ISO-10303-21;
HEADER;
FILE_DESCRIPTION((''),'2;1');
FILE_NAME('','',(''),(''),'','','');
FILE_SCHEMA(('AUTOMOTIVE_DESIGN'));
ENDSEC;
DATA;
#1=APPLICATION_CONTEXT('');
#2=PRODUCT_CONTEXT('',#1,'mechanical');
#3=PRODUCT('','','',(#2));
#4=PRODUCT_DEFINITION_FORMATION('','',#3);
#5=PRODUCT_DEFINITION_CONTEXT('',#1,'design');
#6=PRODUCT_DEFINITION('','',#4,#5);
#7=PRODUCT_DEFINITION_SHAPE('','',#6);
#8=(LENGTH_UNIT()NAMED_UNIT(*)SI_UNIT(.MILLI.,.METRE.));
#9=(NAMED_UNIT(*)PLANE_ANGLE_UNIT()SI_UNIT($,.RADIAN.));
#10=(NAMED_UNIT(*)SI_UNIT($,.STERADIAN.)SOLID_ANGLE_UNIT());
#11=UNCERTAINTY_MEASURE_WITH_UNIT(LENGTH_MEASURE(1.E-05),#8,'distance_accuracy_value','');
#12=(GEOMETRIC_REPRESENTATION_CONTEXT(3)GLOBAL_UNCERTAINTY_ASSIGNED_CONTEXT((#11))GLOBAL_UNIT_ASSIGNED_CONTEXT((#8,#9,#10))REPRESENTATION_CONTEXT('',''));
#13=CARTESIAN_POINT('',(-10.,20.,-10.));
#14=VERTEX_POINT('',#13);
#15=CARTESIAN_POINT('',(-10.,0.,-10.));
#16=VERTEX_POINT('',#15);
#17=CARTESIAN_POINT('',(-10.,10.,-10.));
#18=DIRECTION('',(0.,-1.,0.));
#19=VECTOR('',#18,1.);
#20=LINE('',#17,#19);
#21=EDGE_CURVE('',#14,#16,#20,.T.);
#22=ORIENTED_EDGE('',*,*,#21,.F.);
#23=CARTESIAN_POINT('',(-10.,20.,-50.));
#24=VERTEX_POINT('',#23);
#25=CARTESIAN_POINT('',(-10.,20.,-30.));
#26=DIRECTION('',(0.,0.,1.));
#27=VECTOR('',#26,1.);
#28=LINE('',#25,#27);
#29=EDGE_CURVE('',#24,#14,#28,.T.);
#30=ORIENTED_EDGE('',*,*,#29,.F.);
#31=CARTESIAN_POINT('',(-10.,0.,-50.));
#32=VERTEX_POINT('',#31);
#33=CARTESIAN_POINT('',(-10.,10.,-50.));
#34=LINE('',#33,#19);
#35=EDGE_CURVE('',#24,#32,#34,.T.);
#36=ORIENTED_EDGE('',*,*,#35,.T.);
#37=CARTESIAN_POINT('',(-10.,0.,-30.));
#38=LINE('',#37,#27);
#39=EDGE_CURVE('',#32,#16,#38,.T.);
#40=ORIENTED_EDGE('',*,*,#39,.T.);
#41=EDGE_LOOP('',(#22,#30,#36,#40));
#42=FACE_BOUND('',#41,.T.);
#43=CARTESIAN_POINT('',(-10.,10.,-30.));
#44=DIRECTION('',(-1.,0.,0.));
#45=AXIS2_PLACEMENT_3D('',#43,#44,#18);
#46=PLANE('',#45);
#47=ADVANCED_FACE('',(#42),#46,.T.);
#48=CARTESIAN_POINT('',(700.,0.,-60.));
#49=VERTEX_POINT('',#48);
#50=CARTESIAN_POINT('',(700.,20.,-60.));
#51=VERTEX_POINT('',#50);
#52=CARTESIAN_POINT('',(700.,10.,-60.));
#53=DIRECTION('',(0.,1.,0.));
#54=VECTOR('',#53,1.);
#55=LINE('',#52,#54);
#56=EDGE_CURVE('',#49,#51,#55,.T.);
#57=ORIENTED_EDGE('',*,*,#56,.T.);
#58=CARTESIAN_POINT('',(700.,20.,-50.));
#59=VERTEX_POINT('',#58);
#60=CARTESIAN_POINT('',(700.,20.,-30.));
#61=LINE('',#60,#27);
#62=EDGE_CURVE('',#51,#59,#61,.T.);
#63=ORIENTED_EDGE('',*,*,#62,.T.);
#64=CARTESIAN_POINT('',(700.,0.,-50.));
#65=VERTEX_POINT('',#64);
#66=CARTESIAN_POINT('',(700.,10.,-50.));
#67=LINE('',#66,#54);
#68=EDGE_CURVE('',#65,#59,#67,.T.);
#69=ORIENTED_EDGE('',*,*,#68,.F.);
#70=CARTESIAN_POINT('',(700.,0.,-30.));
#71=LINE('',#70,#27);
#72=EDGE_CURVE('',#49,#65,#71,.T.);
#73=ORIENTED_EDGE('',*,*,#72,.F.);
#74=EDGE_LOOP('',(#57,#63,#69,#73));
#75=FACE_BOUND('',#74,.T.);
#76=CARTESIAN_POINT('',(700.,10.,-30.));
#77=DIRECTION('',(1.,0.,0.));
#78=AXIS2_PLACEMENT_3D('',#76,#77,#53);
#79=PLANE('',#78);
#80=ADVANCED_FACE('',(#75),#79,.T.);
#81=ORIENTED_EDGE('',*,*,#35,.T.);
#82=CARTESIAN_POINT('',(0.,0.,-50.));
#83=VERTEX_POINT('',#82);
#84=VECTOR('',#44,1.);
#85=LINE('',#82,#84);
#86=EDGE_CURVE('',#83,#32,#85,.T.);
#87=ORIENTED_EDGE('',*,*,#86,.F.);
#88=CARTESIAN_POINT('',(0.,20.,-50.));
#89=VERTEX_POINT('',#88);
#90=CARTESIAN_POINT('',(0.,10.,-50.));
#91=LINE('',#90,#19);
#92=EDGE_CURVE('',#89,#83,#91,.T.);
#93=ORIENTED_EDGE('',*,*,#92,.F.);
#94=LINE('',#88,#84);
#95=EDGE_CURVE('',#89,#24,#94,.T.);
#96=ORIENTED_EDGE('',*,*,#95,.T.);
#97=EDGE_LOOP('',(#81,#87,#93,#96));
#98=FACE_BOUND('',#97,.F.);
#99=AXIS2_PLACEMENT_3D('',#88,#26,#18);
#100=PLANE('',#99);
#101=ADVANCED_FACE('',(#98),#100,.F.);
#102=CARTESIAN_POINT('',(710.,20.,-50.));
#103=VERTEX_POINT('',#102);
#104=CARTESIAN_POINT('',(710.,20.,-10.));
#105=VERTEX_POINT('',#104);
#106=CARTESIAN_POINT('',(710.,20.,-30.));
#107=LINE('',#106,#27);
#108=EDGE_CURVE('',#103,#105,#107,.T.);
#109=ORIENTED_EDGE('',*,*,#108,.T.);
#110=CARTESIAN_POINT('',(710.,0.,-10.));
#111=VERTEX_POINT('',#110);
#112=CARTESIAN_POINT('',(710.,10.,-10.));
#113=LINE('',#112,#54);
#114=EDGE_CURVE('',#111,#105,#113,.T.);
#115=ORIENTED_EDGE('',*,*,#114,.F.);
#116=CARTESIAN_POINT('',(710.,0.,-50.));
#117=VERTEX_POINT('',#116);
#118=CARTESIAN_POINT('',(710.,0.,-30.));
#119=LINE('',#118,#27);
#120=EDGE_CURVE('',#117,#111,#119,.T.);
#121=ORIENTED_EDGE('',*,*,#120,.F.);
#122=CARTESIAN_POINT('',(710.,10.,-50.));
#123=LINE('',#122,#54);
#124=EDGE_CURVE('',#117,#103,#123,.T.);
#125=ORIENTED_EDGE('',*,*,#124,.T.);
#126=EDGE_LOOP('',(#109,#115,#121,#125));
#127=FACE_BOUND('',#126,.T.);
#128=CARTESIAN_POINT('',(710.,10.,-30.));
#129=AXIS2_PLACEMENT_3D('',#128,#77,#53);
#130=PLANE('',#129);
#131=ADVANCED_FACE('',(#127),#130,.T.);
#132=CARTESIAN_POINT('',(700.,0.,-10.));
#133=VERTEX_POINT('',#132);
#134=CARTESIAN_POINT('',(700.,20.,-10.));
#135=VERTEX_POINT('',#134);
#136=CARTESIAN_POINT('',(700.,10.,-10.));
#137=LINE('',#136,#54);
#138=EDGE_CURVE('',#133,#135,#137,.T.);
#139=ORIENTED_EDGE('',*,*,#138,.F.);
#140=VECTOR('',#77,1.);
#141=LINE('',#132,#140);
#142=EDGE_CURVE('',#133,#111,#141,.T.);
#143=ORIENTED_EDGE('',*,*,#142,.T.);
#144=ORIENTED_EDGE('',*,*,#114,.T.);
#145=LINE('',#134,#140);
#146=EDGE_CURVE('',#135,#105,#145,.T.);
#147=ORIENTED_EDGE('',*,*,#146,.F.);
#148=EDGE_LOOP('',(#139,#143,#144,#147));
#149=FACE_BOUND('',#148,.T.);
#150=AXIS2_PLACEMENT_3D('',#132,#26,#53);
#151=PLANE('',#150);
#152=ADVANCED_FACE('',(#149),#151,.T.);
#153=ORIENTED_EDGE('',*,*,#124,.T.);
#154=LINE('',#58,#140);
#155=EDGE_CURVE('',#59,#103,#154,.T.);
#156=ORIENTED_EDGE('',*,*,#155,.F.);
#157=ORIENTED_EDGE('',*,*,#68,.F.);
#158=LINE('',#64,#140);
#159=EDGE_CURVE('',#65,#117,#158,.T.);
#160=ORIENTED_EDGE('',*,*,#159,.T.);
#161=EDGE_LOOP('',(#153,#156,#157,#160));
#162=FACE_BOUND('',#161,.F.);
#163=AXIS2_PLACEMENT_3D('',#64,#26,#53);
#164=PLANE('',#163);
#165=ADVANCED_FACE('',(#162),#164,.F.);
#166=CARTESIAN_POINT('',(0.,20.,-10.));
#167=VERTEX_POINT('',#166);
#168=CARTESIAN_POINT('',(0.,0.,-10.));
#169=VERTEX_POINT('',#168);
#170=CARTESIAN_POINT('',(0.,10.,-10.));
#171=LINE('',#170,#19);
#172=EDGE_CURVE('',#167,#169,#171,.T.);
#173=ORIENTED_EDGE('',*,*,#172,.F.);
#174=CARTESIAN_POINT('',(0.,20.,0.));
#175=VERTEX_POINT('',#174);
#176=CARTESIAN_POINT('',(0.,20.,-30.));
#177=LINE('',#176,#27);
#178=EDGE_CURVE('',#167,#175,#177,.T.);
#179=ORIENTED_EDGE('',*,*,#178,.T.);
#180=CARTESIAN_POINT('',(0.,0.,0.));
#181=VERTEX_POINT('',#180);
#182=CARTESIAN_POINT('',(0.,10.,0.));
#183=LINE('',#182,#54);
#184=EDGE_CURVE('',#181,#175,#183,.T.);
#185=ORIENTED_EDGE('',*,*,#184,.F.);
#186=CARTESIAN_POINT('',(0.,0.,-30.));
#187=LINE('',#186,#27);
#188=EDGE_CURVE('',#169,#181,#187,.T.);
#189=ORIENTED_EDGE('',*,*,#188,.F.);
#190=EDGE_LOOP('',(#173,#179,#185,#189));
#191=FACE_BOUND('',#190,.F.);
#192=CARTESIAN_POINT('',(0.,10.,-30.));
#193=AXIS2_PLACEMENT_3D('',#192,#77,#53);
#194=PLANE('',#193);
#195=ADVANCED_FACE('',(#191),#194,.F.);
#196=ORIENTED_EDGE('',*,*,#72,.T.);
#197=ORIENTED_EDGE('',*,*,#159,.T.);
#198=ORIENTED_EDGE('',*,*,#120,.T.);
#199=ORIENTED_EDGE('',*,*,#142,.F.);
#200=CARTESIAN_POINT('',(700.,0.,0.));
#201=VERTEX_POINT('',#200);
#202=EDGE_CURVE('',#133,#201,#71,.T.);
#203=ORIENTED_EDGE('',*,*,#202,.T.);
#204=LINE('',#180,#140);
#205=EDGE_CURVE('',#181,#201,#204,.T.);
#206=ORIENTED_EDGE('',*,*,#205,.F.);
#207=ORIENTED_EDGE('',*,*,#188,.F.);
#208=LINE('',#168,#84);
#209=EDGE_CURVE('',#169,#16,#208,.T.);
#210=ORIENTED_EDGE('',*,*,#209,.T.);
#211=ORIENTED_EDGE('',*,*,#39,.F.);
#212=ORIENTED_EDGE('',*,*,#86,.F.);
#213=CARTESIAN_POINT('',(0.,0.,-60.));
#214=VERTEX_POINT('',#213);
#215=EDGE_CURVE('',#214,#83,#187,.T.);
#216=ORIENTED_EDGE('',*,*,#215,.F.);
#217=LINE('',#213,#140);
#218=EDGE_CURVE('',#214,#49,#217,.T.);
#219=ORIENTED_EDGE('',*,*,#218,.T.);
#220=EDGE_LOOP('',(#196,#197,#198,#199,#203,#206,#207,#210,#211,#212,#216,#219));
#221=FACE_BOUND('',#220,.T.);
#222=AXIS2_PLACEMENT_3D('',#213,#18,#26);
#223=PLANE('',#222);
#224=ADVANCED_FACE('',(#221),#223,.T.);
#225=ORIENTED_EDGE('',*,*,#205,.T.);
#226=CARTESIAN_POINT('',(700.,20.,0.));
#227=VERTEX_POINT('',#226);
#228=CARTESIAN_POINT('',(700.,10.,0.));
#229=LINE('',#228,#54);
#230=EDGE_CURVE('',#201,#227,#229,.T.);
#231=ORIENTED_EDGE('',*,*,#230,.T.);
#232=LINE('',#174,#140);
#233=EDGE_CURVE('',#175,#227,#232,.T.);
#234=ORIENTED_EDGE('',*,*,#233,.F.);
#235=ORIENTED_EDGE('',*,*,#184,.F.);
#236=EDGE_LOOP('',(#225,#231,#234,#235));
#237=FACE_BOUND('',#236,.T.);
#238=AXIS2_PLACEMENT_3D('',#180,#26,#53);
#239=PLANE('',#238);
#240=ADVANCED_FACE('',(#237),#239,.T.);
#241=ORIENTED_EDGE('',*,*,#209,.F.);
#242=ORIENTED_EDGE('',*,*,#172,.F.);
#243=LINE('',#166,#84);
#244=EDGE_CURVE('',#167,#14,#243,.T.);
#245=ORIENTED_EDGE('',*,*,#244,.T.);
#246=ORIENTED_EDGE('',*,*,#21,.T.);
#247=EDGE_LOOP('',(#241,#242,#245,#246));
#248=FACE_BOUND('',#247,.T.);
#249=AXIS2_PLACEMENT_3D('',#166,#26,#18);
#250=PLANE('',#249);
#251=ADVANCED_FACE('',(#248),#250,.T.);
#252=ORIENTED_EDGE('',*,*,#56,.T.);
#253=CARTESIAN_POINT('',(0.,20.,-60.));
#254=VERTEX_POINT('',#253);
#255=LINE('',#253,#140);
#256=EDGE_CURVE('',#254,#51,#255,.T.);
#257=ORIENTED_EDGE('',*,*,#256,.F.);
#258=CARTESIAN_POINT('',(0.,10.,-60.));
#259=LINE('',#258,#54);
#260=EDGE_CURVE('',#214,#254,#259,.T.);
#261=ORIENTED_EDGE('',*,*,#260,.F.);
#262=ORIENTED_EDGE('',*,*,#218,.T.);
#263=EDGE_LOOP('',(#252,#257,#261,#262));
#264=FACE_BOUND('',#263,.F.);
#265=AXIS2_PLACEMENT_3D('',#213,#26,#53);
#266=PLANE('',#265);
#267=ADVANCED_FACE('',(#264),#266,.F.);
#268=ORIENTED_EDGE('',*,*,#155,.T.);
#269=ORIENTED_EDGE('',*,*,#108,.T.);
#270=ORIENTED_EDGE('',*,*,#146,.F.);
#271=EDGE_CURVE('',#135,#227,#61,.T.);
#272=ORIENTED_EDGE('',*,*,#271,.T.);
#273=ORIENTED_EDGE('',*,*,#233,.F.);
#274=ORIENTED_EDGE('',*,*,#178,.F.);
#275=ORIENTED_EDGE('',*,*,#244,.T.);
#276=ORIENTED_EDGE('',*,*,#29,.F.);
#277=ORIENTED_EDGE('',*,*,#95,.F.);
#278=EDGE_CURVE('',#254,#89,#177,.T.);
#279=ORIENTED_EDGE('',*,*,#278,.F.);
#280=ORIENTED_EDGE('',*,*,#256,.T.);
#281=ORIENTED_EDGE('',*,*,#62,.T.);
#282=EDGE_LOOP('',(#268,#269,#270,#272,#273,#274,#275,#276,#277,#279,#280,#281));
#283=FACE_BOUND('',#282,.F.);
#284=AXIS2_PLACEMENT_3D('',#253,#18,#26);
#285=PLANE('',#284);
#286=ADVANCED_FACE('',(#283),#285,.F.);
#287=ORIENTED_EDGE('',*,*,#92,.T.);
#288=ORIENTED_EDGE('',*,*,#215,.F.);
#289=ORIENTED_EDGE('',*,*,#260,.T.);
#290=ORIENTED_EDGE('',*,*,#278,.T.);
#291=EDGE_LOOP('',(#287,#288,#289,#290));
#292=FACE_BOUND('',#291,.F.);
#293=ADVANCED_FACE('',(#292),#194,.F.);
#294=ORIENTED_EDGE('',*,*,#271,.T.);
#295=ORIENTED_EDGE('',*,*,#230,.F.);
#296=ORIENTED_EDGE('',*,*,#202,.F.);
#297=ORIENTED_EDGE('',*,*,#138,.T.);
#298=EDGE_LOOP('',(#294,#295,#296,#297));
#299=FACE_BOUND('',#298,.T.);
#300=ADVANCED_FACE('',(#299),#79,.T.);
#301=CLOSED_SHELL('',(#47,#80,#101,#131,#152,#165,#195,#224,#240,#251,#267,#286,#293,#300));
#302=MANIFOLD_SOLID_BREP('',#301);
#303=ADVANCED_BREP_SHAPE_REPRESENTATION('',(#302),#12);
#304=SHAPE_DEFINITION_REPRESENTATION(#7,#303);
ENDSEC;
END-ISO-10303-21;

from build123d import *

# Parameters (mm, degrees)
F0_W     = 20
F0_H     = 60
F1_DEPTH = 700
F2_W     = 20
F2_H     = 40
F3_DEPTH = 10
F4_W     = 20
F4_H     = 40
F5_DEPTH = 10


with BuildPart() as f1:
    # F0 (on Right) → F1 (new body)
    with BuildSketch(Plane.YZ):
        with Locations((10, -30)):
            Rectangle(F0_W, F0_H)
    extrude(amount=F1_DEPTH)

    # F2 (on face) → F3 (join)
    with BuildSketch(Plane(origin=(0, 0, 0), x_dir=(0, -1, 0), z_dir=(-1, 0, 0))):
        with Locations((-10, -30)):
            Rectangle(F2_W, F2_H)
    extrude(amount=F3_DEPTH)

    # F4 (on face) → F5 (join)
    with BuildSketch(Plane.YZ.offset(700)):
        with Locations((10, -30)):
            Rectangle(F4_W, F4_H)
    extrude(amount=F5_DEPTH)


solid = f1.part
